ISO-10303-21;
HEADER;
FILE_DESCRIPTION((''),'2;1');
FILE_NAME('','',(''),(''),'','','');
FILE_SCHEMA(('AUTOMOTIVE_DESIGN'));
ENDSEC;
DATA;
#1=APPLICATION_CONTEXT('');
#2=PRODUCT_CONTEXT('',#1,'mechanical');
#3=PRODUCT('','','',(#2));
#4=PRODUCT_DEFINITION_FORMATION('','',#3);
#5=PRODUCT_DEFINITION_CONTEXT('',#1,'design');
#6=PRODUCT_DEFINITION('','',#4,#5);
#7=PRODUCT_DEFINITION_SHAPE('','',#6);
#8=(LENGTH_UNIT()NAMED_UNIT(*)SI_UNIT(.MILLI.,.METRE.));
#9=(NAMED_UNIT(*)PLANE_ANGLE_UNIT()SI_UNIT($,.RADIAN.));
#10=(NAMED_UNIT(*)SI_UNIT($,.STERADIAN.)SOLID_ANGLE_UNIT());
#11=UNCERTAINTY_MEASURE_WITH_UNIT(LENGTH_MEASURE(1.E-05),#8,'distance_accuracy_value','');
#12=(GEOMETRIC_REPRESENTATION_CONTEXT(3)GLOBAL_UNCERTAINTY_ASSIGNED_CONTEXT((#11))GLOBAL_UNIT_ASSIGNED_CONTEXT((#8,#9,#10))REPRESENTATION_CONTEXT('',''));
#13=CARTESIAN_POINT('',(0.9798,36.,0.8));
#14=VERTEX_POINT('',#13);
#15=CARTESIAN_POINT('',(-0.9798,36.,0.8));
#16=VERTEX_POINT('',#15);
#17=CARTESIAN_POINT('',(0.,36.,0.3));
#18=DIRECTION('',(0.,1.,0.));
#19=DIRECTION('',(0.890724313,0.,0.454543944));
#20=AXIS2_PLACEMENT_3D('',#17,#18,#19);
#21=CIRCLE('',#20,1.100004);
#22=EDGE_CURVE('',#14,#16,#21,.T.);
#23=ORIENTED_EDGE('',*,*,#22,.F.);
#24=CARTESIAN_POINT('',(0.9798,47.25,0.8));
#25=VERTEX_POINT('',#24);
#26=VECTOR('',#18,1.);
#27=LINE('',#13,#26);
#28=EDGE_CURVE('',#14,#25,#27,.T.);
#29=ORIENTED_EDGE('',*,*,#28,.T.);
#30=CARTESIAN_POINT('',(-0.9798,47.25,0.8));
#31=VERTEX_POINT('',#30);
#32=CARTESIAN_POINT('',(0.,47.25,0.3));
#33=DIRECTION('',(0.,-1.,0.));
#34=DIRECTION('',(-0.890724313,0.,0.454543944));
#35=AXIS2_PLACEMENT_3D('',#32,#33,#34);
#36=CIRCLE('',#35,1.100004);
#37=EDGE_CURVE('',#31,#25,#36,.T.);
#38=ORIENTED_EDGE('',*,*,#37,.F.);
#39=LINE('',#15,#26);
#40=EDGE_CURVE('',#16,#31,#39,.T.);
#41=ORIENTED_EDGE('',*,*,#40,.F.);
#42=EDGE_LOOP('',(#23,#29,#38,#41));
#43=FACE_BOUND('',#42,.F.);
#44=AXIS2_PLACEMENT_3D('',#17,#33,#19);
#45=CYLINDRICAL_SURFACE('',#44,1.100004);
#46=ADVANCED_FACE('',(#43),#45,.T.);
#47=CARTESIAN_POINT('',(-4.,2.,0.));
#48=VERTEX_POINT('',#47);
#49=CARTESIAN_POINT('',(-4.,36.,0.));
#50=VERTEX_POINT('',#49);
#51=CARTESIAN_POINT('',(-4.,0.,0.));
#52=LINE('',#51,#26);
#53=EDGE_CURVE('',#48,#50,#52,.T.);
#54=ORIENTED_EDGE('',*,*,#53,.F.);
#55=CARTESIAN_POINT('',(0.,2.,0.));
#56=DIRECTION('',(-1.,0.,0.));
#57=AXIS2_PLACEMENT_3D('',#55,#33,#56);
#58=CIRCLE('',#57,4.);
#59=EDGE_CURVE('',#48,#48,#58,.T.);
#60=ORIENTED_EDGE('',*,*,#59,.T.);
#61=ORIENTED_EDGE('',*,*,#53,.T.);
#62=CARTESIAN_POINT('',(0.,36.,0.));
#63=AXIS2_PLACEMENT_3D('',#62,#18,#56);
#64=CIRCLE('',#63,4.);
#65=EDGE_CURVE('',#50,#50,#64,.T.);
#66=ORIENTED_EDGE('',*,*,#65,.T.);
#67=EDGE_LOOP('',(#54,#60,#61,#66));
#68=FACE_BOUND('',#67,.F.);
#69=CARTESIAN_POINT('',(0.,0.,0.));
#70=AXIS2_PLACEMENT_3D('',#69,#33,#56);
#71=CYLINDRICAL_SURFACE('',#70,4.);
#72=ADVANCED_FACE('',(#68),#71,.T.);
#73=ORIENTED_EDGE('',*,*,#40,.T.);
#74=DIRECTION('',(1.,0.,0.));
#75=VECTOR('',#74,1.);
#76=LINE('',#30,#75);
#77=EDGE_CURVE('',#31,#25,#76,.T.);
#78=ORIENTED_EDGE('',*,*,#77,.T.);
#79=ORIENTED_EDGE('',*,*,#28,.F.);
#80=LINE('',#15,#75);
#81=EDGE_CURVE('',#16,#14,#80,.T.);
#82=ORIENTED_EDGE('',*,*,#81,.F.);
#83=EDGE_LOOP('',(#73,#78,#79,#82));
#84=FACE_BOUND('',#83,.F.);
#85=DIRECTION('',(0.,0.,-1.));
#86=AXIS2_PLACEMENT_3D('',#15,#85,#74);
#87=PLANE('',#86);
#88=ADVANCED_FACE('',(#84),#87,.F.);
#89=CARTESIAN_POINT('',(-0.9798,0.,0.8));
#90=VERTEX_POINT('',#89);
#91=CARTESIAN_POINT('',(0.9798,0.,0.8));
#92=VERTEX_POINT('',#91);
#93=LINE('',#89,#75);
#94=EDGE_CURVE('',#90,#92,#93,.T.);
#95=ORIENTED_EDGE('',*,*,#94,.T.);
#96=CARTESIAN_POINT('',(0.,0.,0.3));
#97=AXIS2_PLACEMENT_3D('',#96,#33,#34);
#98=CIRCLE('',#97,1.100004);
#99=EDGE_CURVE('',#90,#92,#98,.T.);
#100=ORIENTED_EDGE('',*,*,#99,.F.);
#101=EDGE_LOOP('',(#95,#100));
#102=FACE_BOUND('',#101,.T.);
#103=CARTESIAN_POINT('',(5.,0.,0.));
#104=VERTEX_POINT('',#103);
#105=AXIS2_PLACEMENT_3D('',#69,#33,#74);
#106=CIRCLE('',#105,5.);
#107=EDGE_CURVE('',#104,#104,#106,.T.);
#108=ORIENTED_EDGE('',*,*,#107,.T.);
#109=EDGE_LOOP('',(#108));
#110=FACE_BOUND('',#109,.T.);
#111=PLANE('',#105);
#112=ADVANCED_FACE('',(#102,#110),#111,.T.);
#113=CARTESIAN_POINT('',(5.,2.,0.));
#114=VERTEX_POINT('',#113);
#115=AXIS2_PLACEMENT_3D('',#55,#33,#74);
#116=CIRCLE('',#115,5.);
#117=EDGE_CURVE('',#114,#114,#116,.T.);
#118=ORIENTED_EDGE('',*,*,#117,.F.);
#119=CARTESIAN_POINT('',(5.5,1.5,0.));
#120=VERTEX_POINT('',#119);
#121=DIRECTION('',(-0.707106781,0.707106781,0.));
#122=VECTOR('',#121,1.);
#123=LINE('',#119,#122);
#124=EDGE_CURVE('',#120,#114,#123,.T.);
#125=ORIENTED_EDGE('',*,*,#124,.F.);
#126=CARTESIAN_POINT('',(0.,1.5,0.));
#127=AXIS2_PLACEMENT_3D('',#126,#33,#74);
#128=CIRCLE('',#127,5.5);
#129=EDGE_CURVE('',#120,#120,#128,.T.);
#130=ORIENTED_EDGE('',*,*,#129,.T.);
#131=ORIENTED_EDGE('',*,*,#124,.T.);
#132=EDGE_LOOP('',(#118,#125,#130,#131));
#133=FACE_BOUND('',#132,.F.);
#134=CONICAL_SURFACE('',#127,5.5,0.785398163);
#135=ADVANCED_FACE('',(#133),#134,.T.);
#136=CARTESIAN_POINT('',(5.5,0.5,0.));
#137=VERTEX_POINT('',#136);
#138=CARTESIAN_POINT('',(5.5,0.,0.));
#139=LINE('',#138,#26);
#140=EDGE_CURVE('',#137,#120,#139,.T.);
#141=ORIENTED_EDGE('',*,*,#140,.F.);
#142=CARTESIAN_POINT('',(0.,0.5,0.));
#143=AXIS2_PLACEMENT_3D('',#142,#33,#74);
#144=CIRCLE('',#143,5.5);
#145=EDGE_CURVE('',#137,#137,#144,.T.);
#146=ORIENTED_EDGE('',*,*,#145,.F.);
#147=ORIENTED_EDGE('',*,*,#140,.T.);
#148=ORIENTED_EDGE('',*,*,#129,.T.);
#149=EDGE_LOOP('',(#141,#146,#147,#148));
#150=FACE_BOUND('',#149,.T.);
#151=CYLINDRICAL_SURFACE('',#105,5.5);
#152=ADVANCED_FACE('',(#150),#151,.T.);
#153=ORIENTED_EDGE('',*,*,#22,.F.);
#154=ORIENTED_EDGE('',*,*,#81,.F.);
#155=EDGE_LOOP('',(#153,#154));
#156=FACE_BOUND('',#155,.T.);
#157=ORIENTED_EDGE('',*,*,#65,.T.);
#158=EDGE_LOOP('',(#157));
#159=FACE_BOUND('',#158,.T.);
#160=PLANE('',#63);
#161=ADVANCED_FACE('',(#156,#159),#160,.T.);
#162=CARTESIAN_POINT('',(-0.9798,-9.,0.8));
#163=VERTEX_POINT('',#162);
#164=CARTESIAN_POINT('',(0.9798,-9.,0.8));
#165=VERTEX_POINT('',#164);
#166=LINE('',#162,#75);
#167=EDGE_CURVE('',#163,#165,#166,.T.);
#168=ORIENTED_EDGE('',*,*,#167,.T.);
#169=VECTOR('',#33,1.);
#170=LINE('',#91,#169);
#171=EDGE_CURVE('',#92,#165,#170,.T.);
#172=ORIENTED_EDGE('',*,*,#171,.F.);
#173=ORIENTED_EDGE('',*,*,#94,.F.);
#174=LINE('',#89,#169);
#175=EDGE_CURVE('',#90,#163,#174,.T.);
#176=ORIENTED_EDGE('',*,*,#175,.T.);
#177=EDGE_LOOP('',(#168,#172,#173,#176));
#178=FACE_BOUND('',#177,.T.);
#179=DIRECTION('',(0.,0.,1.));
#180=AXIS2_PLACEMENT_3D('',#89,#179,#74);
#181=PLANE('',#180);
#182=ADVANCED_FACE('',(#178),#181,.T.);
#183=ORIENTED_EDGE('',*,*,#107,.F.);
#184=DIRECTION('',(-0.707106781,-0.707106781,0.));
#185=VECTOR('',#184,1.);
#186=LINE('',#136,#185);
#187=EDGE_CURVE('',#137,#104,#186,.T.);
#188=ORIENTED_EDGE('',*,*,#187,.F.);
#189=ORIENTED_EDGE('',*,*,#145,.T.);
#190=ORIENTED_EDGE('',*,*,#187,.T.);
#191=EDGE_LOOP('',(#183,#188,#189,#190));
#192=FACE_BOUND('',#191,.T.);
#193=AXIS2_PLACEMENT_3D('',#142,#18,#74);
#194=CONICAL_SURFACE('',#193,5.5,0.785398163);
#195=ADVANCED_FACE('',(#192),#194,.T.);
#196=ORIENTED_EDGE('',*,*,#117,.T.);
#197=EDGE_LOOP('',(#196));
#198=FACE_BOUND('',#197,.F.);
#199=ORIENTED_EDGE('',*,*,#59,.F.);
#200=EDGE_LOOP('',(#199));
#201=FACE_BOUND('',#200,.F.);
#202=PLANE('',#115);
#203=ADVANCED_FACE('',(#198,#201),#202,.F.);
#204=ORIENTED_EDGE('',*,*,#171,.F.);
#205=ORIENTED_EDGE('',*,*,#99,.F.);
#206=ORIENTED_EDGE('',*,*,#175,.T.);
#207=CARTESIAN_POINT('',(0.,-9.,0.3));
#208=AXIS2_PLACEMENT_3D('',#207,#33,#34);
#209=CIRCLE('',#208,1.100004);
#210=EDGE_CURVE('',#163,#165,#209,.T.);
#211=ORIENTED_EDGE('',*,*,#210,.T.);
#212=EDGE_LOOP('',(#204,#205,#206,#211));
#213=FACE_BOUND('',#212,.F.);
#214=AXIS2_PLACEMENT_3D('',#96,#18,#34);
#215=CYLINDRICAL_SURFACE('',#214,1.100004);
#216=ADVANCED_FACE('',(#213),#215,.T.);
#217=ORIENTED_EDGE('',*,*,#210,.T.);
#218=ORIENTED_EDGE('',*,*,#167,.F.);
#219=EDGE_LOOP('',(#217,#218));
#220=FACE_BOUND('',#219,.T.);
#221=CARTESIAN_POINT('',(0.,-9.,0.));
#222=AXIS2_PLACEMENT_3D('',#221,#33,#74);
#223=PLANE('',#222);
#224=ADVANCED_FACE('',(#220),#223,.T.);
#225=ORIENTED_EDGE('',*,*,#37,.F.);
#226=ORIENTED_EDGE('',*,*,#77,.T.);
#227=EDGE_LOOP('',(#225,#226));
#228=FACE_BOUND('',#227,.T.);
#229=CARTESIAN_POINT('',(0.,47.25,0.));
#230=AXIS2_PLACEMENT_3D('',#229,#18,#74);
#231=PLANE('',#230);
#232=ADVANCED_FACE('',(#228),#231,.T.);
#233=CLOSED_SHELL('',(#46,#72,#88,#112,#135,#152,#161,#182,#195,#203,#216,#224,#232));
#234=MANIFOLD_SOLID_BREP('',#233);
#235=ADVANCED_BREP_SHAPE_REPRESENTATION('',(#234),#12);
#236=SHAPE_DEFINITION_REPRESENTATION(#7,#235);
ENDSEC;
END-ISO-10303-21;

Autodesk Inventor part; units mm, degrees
ref_plane "YZ Plane" through (0, 0, 0) normal (1, 0, 0) x (0, 1, 0)
ref_plane "XZ Plane" through (0, 0, 0) normal (0, 1, 0) x (-1, 0, 0)
ref_plane "XY Plane" through (0, 0, 0) normal (0, 0, 1) x (1, 0, 0)
sketch "Sketch1" plane through (0, 0, 0) normal (0, 1, 0) x (-1, 0, 0)
  circle A0 centre (0, 0) radius 4
  dimension "d0" = 8
extrude "Extrusion1" add sketch "Sketch1" along normal blind 36
sketch "Sketch2" plane through (0, 36, 0) normal (0, 1, 0) x (1, 0, 0)
  line L0 (0, -2) -> (2.3553, -2)
  line L1 (-0.9798, -0.8) -> (0.9798, -0.8)
  arc A0 (0.9798, -0.8) -> (-0.9798, -0.8) centre (0, -0.3) ccw
  circle A1 centre (0, 0) radius 4 projected
  line L2 (5.6, 0) -> (-5.6, 0) projected
  dimension "d4" = 1.2
  dimension "d6" = 1.1
  dimension "d7" = 0.3
extrude "Extrusion2" add sketch "Sketch2" along normal blind 11.25 contours A0 L2 L1 | A0 L2
sketch "Sketch3" plane through (0, 0, 0) normal (0, -1, 0) x (1, 0, 0)
  line L0 (-0.9798, 0.8) -> (0.9798, 0.8)
  arc A0 (-0.9798, 0.8) -> (0.9798, 0.8) centre (0, 0.3) ccw
  point P0 (0, 0)
  point P1 (0, 0)
  point P2 (0, 0.8)
  dimension "d12" = 1.9596
  dimension "d16" = 1.1
  dimension "d17" = 0.3
extrude "Extrusion3" add sketch "Sketch3" along normal blind 9
sketch "Sketch5" plane through (0, 0, 0) normal (0, -1, 0) x (1, 0, 0)
  circle A0 centre (0, 0) radius 5.5
  dimension "d29" = 11
extrude "Extrusion5" add sketch "Sketch5" against normal blind 2
chamfer "Chamfer3" distance 0.5 angle 45 2 edges at (-5.5, 0, 0) (-5.5, 2, 0)
equation "\"d4\" = d3"
equation "\"d3\" = 1.2"
properties part number "axle-skibidi"
